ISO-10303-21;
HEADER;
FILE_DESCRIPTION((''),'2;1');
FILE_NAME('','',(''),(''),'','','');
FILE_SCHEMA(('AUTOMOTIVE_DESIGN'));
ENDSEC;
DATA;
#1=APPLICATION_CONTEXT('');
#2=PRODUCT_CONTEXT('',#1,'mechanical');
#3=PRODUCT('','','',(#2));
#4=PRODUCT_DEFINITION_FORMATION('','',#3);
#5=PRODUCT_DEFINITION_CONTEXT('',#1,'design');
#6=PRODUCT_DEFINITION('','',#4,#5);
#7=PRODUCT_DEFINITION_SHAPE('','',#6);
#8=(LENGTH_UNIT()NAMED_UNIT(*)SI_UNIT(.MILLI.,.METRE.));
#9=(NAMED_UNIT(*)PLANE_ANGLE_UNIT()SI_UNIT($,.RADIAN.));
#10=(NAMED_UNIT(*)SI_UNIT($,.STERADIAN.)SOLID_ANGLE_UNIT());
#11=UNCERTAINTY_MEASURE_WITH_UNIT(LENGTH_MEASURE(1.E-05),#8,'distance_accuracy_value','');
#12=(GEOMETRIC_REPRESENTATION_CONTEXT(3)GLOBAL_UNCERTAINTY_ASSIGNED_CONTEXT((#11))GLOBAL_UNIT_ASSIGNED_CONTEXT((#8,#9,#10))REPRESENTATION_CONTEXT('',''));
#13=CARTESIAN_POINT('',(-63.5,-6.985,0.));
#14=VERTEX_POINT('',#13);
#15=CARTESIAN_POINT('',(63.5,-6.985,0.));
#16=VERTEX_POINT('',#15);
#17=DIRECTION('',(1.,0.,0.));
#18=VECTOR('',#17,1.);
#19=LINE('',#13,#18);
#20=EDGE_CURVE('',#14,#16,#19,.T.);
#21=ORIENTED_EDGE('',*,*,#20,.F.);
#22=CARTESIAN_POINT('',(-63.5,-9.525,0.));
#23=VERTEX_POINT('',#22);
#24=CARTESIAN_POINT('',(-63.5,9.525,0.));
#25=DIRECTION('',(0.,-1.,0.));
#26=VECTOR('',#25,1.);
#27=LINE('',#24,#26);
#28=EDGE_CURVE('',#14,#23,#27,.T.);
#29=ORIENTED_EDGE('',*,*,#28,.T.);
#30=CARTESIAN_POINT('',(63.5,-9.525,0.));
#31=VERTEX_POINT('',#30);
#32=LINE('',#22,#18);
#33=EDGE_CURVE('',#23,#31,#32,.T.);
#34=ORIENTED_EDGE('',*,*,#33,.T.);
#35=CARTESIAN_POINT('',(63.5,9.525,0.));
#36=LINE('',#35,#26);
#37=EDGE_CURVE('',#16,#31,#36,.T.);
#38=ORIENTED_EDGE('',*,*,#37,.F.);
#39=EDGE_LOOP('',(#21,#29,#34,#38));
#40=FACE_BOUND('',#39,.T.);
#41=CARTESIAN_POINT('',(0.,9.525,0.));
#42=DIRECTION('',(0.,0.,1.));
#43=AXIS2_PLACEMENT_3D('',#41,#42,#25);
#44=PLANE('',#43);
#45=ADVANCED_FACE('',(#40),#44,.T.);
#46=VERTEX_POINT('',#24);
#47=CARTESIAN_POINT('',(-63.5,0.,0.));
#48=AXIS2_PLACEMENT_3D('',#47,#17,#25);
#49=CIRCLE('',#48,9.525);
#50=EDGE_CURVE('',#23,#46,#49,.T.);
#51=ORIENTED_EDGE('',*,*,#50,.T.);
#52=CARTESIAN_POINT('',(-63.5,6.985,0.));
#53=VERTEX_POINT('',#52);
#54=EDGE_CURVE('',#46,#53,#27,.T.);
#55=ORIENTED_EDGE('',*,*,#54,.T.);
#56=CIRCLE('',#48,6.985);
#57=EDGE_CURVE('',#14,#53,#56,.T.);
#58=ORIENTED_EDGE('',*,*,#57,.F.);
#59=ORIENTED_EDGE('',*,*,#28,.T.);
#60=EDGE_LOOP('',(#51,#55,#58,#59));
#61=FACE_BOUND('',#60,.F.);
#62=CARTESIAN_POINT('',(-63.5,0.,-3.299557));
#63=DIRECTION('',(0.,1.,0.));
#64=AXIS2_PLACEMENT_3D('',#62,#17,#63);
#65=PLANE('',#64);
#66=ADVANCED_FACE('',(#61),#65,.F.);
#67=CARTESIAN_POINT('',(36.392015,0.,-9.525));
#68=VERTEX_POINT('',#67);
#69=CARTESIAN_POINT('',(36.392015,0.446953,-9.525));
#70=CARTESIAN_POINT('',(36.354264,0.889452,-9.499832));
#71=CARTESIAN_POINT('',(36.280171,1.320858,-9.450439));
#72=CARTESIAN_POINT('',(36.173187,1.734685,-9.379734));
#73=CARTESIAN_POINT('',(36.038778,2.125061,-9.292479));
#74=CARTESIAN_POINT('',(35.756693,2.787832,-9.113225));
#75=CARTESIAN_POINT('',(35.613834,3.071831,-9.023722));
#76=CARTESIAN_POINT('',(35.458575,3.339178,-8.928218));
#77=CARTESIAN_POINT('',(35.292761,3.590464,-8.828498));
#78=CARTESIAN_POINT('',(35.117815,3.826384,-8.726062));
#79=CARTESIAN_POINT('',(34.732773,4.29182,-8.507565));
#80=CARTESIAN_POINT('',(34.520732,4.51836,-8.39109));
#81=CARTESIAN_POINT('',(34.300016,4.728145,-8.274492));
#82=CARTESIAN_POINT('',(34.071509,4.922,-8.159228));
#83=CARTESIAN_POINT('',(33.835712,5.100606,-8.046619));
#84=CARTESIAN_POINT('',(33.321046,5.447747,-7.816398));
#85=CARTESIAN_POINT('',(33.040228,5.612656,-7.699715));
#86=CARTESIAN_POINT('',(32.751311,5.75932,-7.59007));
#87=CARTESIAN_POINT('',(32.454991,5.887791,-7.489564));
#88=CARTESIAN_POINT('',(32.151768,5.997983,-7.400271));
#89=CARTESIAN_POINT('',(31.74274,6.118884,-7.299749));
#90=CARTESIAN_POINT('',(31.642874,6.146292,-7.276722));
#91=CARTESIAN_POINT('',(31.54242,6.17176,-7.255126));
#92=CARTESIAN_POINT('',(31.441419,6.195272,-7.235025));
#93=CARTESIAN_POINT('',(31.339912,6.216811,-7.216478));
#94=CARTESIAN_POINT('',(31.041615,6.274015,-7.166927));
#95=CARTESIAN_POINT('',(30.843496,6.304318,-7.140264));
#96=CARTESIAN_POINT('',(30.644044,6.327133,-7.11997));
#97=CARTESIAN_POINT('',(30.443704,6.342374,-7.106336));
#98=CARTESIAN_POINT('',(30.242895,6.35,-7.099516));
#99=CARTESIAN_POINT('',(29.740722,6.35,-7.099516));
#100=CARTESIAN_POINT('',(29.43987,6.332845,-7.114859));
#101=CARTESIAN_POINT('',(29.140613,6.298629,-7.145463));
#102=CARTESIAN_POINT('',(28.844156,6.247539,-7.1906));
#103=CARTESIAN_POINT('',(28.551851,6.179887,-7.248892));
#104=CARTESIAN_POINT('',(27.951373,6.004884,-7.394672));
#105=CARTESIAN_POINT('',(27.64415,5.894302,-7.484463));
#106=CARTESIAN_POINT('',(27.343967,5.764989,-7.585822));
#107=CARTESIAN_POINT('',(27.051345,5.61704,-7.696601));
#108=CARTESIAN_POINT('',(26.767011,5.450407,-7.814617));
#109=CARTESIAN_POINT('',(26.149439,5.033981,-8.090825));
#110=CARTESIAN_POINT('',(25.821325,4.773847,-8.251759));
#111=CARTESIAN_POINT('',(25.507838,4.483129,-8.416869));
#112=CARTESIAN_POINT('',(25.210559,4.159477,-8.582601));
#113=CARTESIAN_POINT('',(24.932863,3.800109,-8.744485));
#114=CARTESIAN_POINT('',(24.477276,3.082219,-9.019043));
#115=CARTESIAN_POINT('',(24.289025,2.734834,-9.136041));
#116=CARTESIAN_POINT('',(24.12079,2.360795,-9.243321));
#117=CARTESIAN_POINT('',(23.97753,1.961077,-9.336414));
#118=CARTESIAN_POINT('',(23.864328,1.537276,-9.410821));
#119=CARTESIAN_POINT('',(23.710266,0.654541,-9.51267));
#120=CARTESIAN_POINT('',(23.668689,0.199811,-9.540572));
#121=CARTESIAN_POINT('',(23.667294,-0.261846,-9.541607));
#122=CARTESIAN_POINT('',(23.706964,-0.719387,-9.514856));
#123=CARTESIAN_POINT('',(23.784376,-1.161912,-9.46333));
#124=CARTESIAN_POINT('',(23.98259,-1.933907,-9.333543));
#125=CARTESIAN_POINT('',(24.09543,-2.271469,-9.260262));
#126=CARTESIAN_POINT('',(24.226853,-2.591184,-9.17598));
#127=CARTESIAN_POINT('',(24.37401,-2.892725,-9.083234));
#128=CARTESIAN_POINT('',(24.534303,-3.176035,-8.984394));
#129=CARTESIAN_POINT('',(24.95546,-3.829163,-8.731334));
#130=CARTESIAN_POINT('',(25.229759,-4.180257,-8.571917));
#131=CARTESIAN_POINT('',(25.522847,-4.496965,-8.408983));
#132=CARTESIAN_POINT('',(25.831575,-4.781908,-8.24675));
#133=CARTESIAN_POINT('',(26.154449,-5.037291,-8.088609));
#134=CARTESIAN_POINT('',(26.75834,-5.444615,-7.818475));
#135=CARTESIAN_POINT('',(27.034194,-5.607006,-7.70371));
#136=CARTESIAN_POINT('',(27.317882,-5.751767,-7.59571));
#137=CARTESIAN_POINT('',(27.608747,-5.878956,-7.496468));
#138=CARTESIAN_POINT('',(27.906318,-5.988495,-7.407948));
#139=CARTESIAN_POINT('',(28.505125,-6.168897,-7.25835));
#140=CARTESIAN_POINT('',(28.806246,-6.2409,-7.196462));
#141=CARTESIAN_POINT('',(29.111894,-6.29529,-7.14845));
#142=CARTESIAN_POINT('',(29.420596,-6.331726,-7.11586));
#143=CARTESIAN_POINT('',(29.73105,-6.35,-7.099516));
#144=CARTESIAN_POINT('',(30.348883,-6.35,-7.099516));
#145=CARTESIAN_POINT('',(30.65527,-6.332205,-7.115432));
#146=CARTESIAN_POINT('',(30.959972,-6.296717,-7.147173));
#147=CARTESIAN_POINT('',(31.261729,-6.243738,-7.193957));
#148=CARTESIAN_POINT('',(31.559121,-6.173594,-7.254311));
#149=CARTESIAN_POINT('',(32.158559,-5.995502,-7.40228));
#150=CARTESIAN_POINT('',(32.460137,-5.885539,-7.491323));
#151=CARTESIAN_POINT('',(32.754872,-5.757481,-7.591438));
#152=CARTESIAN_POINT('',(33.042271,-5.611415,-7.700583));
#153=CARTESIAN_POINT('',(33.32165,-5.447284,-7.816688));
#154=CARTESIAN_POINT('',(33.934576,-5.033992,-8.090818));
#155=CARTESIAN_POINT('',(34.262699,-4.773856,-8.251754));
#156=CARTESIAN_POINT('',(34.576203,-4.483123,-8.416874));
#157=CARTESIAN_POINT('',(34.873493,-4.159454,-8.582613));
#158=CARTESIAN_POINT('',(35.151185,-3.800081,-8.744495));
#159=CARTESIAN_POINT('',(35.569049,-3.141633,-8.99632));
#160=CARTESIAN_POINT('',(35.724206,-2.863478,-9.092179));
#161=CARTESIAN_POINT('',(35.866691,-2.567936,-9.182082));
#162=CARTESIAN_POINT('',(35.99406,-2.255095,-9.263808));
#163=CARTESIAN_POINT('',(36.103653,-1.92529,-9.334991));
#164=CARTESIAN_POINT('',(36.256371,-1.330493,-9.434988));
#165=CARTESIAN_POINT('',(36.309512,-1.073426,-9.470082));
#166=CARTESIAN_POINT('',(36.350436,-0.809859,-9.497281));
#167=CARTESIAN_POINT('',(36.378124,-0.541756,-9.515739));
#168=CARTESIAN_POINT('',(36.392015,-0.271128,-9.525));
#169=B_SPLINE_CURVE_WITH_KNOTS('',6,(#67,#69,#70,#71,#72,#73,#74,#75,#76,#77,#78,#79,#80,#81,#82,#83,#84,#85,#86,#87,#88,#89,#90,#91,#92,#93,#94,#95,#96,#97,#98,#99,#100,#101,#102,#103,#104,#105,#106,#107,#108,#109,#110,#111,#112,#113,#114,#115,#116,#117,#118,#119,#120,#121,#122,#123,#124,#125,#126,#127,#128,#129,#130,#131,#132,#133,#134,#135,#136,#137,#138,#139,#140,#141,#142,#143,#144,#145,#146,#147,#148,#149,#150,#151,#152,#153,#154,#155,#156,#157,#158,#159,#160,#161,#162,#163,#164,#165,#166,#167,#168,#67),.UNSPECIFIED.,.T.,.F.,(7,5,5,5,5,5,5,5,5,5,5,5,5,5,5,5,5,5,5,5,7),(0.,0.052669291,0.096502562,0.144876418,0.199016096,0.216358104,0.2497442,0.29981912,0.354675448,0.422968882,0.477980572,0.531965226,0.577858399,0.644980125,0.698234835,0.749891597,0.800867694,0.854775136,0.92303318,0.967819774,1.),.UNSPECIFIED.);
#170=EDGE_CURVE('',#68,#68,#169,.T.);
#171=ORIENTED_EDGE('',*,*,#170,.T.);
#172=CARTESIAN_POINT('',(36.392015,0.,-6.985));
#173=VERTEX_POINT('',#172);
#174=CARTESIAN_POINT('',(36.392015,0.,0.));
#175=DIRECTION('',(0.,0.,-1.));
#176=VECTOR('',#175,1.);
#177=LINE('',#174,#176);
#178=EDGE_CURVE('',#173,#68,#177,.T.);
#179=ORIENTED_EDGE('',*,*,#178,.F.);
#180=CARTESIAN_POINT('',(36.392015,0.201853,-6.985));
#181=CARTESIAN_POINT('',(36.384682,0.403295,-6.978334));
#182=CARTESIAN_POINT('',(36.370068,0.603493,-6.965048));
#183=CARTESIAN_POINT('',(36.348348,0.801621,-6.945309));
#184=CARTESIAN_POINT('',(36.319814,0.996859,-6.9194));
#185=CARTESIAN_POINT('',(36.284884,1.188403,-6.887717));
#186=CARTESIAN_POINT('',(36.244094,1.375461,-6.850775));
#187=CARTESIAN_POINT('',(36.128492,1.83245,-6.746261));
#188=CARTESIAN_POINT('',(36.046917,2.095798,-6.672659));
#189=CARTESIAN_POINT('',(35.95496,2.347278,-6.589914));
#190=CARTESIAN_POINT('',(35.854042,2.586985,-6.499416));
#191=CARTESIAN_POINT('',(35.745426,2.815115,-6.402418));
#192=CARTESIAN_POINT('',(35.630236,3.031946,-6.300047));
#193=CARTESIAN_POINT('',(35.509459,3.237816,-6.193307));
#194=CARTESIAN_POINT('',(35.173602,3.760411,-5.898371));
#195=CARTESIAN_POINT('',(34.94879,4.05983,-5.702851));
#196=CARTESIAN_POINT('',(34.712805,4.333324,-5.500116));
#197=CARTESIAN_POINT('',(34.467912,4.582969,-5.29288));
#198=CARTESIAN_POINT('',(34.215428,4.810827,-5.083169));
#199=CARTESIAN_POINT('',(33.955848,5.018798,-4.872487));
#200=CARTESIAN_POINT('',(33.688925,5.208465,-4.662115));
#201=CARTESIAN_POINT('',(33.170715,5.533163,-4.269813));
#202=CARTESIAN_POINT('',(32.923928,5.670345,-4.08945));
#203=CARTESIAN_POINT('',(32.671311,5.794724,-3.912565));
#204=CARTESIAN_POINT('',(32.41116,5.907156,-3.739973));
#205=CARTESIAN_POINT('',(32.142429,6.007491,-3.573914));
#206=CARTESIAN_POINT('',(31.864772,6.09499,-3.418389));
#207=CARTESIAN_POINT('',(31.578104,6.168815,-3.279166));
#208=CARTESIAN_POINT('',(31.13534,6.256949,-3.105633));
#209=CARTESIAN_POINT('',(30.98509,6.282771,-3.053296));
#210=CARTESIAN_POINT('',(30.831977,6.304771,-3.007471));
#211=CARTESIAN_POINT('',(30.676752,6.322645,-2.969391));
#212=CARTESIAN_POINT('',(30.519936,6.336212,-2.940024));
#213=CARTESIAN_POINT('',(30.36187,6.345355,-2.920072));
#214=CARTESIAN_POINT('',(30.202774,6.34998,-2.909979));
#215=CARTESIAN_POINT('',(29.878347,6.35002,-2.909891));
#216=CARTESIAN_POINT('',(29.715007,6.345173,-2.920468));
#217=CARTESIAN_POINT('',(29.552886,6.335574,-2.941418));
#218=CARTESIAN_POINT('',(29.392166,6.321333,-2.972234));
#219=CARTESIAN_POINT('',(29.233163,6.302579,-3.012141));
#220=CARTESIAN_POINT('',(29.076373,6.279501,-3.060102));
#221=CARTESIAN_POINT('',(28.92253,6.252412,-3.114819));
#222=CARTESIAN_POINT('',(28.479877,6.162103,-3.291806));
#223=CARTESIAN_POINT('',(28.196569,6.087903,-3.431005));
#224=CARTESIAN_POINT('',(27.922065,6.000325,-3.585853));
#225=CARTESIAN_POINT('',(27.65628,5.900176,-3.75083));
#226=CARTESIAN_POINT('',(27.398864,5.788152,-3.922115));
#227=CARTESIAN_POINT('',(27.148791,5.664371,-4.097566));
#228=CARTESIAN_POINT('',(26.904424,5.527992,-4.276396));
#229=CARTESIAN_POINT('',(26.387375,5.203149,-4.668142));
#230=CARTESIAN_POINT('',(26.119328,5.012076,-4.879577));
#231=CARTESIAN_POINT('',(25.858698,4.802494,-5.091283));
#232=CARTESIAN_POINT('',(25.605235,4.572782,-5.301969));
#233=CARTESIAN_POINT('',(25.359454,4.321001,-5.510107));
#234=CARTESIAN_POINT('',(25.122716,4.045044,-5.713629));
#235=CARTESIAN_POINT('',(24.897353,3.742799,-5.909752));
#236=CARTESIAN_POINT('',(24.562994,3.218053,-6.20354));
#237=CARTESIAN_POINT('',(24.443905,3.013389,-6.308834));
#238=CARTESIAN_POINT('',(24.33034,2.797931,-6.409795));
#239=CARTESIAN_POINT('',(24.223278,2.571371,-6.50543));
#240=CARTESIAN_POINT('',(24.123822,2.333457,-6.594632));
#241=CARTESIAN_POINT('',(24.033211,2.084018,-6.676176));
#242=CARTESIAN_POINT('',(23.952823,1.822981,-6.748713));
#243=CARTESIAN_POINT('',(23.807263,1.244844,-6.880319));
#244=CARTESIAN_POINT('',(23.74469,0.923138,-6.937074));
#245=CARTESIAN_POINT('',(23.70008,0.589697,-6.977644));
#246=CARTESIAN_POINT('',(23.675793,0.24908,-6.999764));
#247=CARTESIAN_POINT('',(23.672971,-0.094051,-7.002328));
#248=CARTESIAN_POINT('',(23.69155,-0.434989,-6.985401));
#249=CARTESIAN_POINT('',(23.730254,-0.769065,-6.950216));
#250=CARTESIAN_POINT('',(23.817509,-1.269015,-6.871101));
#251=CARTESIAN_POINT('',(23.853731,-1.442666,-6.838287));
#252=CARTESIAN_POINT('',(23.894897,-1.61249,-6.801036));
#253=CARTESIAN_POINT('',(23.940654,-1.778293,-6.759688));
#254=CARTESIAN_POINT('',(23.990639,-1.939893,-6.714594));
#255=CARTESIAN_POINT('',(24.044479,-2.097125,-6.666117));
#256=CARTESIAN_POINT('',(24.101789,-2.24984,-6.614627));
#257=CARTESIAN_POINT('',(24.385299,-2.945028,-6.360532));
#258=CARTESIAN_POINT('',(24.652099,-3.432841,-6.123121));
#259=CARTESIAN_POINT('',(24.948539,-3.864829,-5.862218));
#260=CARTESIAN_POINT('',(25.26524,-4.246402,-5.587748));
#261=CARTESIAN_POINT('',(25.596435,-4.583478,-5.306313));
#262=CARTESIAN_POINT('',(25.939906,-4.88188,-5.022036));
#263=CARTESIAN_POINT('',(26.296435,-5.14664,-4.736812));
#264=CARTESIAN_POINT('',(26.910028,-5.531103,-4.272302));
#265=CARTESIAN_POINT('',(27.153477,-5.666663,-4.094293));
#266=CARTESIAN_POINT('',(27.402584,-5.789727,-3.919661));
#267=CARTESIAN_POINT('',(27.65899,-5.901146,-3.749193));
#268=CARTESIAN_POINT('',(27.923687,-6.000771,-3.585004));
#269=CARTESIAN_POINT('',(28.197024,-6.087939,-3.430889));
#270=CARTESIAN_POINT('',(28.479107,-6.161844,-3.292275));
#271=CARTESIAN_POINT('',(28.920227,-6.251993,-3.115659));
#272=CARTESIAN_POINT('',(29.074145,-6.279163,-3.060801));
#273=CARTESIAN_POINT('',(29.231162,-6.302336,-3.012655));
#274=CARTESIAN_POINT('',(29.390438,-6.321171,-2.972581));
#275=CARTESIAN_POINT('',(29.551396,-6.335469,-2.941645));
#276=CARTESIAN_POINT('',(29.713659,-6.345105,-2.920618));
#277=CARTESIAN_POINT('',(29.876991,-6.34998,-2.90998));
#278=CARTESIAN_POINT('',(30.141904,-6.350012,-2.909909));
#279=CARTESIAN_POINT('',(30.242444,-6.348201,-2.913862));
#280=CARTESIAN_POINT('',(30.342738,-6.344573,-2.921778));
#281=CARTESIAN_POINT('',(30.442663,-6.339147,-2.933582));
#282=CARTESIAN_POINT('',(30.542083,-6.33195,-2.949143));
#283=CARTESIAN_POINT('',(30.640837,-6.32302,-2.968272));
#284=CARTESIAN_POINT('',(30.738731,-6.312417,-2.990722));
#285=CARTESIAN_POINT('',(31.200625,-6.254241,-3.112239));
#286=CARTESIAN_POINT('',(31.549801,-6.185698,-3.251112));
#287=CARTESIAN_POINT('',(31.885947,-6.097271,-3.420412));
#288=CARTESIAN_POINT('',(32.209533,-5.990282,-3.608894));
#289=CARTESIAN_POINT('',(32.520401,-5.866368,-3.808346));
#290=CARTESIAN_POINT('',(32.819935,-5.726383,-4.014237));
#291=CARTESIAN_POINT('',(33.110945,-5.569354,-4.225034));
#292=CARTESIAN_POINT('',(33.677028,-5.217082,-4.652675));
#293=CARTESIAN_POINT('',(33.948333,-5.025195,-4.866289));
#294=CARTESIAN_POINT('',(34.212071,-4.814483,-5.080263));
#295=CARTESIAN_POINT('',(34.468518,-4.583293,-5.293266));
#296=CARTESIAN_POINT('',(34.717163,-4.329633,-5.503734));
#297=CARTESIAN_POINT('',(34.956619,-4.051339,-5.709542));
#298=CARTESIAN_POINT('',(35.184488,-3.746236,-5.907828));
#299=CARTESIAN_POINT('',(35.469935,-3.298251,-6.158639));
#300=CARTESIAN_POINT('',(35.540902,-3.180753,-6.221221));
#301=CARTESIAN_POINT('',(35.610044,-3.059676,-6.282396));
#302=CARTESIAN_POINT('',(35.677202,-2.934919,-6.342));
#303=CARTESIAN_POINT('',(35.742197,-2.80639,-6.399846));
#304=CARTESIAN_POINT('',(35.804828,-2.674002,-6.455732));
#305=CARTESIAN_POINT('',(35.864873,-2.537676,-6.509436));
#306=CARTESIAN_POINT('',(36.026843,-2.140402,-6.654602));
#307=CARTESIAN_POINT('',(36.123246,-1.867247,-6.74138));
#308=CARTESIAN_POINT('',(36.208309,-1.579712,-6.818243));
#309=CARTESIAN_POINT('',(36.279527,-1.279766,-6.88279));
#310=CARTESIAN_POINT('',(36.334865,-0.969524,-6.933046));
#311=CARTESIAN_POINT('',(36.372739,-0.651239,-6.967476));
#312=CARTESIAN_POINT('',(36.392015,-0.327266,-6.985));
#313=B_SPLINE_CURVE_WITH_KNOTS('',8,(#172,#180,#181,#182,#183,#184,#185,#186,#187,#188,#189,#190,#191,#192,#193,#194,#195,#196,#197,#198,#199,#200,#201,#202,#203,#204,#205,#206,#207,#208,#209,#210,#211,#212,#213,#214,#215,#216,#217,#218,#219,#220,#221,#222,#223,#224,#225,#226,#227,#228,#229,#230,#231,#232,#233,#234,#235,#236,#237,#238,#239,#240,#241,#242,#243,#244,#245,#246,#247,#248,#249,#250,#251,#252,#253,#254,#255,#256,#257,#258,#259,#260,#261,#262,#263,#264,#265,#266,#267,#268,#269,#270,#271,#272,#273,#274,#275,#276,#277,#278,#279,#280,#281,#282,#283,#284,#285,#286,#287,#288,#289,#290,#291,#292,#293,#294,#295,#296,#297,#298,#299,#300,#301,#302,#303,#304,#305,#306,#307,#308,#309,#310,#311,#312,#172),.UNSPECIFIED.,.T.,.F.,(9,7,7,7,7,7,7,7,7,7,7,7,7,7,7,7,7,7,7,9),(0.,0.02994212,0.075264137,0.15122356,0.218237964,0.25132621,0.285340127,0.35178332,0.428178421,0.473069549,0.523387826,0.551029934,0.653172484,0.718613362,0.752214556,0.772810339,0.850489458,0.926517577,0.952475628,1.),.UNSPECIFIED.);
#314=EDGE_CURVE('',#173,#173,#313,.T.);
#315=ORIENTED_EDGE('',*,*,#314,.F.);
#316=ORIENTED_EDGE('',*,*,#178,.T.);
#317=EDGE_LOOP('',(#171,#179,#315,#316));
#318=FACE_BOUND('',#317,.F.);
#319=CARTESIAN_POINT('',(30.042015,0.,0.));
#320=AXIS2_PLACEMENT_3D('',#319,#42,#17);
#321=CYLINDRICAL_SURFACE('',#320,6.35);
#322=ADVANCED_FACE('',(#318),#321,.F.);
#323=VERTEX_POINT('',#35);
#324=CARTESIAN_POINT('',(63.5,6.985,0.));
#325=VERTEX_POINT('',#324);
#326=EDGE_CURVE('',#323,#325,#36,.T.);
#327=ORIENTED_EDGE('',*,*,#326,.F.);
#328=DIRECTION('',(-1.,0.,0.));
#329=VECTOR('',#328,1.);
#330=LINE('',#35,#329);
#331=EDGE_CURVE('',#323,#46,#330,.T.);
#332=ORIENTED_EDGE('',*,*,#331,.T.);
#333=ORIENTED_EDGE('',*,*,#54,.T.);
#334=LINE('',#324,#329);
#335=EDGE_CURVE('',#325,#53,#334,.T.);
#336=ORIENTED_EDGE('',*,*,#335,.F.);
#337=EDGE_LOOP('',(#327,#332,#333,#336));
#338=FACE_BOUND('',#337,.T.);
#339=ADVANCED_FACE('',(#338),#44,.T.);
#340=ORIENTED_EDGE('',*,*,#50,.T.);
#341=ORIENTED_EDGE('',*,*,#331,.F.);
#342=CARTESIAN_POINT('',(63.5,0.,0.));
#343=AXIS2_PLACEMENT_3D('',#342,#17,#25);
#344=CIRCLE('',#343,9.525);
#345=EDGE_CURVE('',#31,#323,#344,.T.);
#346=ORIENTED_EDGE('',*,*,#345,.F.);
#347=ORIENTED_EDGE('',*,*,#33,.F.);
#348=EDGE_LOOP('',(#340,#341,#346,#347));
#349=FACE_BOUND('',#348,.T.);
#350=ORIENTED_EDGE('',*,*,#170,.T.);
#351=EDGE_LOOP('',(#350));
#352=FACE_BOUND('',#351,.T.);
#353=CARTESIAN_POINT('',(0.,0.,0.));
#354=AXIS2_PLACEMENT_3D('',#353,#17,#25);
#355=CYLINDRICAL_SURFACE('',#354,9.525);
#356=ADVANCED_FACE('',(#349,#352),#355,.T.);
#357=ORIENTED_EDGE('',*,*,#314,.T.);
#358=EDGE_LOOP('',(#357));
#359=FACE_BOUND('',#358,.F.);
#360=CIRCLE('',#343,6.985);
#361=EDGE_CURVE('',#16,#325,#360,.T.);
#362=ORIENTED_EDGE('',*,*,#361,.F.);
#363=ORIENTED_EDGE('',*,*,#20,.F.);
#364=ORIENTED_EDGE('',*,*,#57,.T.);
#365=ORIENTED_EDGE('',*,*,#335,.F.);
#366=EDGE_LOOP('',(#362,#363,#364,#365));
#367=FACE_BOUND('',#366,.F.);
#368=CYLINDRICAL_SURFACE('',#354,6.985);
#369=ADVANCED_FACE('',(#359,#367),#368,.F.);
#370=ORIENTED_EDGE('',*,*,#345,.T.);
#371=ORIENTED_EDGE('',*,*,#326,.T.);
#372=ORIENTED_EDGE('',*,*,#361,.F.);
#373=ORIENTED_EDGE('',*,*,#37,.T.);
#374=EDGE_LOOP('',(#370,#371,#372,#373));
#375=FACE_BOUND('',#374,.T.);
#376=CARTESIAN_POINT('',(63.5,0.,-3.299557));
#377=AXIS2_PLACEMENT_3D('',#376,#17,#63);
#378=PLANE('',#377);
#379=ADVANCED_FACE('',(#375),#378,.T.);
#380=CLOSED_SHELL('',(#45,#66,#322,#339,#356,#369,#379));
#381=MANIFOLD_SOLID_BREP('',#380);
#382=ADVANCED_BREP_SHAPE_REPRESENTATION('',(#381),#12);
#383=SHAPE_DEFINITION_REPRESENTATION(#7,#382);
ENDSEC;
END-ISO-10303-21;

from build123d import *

# Parameters (mm, degrees)
F1_DEPTH = 63.5
F2_T     = -2.54
F3_R     = 6.35
F4_DEPTH = 25.4


with BuildPart() as f1:
    # F0 (on Right) → F1 (new body, symmetric)
    with BuildSketch(Plane.YZ):
        with BuildLine():
            Line((9.525, 0), (-9.525, 0))
            ThreePointArc((-9.525, 0), (0, -9.525), (9.525, 0))
        make_face()
    extrude(amount=F1_DEPTH, both=True)

    # F2
    f2_openings = [f1.faces().sort_by_distance(p)[0] for p in [
        (-63.5, 0, -4.042536),
        (0, 0, 0),
        (63.5, 0, -4.042536),
    ]]
    offset(amount=F2_T, openings=f2_openings)

    # F3 (on Top) → F4 (cut)
    with BuildSketch(Plane.XY):
        with Locations((30.042015313, 0)):
            Circle(F3_R)
    extrude(amount=-F4_DEPTH, mode=Mode.SUBTRACT)


solid = f1.part
